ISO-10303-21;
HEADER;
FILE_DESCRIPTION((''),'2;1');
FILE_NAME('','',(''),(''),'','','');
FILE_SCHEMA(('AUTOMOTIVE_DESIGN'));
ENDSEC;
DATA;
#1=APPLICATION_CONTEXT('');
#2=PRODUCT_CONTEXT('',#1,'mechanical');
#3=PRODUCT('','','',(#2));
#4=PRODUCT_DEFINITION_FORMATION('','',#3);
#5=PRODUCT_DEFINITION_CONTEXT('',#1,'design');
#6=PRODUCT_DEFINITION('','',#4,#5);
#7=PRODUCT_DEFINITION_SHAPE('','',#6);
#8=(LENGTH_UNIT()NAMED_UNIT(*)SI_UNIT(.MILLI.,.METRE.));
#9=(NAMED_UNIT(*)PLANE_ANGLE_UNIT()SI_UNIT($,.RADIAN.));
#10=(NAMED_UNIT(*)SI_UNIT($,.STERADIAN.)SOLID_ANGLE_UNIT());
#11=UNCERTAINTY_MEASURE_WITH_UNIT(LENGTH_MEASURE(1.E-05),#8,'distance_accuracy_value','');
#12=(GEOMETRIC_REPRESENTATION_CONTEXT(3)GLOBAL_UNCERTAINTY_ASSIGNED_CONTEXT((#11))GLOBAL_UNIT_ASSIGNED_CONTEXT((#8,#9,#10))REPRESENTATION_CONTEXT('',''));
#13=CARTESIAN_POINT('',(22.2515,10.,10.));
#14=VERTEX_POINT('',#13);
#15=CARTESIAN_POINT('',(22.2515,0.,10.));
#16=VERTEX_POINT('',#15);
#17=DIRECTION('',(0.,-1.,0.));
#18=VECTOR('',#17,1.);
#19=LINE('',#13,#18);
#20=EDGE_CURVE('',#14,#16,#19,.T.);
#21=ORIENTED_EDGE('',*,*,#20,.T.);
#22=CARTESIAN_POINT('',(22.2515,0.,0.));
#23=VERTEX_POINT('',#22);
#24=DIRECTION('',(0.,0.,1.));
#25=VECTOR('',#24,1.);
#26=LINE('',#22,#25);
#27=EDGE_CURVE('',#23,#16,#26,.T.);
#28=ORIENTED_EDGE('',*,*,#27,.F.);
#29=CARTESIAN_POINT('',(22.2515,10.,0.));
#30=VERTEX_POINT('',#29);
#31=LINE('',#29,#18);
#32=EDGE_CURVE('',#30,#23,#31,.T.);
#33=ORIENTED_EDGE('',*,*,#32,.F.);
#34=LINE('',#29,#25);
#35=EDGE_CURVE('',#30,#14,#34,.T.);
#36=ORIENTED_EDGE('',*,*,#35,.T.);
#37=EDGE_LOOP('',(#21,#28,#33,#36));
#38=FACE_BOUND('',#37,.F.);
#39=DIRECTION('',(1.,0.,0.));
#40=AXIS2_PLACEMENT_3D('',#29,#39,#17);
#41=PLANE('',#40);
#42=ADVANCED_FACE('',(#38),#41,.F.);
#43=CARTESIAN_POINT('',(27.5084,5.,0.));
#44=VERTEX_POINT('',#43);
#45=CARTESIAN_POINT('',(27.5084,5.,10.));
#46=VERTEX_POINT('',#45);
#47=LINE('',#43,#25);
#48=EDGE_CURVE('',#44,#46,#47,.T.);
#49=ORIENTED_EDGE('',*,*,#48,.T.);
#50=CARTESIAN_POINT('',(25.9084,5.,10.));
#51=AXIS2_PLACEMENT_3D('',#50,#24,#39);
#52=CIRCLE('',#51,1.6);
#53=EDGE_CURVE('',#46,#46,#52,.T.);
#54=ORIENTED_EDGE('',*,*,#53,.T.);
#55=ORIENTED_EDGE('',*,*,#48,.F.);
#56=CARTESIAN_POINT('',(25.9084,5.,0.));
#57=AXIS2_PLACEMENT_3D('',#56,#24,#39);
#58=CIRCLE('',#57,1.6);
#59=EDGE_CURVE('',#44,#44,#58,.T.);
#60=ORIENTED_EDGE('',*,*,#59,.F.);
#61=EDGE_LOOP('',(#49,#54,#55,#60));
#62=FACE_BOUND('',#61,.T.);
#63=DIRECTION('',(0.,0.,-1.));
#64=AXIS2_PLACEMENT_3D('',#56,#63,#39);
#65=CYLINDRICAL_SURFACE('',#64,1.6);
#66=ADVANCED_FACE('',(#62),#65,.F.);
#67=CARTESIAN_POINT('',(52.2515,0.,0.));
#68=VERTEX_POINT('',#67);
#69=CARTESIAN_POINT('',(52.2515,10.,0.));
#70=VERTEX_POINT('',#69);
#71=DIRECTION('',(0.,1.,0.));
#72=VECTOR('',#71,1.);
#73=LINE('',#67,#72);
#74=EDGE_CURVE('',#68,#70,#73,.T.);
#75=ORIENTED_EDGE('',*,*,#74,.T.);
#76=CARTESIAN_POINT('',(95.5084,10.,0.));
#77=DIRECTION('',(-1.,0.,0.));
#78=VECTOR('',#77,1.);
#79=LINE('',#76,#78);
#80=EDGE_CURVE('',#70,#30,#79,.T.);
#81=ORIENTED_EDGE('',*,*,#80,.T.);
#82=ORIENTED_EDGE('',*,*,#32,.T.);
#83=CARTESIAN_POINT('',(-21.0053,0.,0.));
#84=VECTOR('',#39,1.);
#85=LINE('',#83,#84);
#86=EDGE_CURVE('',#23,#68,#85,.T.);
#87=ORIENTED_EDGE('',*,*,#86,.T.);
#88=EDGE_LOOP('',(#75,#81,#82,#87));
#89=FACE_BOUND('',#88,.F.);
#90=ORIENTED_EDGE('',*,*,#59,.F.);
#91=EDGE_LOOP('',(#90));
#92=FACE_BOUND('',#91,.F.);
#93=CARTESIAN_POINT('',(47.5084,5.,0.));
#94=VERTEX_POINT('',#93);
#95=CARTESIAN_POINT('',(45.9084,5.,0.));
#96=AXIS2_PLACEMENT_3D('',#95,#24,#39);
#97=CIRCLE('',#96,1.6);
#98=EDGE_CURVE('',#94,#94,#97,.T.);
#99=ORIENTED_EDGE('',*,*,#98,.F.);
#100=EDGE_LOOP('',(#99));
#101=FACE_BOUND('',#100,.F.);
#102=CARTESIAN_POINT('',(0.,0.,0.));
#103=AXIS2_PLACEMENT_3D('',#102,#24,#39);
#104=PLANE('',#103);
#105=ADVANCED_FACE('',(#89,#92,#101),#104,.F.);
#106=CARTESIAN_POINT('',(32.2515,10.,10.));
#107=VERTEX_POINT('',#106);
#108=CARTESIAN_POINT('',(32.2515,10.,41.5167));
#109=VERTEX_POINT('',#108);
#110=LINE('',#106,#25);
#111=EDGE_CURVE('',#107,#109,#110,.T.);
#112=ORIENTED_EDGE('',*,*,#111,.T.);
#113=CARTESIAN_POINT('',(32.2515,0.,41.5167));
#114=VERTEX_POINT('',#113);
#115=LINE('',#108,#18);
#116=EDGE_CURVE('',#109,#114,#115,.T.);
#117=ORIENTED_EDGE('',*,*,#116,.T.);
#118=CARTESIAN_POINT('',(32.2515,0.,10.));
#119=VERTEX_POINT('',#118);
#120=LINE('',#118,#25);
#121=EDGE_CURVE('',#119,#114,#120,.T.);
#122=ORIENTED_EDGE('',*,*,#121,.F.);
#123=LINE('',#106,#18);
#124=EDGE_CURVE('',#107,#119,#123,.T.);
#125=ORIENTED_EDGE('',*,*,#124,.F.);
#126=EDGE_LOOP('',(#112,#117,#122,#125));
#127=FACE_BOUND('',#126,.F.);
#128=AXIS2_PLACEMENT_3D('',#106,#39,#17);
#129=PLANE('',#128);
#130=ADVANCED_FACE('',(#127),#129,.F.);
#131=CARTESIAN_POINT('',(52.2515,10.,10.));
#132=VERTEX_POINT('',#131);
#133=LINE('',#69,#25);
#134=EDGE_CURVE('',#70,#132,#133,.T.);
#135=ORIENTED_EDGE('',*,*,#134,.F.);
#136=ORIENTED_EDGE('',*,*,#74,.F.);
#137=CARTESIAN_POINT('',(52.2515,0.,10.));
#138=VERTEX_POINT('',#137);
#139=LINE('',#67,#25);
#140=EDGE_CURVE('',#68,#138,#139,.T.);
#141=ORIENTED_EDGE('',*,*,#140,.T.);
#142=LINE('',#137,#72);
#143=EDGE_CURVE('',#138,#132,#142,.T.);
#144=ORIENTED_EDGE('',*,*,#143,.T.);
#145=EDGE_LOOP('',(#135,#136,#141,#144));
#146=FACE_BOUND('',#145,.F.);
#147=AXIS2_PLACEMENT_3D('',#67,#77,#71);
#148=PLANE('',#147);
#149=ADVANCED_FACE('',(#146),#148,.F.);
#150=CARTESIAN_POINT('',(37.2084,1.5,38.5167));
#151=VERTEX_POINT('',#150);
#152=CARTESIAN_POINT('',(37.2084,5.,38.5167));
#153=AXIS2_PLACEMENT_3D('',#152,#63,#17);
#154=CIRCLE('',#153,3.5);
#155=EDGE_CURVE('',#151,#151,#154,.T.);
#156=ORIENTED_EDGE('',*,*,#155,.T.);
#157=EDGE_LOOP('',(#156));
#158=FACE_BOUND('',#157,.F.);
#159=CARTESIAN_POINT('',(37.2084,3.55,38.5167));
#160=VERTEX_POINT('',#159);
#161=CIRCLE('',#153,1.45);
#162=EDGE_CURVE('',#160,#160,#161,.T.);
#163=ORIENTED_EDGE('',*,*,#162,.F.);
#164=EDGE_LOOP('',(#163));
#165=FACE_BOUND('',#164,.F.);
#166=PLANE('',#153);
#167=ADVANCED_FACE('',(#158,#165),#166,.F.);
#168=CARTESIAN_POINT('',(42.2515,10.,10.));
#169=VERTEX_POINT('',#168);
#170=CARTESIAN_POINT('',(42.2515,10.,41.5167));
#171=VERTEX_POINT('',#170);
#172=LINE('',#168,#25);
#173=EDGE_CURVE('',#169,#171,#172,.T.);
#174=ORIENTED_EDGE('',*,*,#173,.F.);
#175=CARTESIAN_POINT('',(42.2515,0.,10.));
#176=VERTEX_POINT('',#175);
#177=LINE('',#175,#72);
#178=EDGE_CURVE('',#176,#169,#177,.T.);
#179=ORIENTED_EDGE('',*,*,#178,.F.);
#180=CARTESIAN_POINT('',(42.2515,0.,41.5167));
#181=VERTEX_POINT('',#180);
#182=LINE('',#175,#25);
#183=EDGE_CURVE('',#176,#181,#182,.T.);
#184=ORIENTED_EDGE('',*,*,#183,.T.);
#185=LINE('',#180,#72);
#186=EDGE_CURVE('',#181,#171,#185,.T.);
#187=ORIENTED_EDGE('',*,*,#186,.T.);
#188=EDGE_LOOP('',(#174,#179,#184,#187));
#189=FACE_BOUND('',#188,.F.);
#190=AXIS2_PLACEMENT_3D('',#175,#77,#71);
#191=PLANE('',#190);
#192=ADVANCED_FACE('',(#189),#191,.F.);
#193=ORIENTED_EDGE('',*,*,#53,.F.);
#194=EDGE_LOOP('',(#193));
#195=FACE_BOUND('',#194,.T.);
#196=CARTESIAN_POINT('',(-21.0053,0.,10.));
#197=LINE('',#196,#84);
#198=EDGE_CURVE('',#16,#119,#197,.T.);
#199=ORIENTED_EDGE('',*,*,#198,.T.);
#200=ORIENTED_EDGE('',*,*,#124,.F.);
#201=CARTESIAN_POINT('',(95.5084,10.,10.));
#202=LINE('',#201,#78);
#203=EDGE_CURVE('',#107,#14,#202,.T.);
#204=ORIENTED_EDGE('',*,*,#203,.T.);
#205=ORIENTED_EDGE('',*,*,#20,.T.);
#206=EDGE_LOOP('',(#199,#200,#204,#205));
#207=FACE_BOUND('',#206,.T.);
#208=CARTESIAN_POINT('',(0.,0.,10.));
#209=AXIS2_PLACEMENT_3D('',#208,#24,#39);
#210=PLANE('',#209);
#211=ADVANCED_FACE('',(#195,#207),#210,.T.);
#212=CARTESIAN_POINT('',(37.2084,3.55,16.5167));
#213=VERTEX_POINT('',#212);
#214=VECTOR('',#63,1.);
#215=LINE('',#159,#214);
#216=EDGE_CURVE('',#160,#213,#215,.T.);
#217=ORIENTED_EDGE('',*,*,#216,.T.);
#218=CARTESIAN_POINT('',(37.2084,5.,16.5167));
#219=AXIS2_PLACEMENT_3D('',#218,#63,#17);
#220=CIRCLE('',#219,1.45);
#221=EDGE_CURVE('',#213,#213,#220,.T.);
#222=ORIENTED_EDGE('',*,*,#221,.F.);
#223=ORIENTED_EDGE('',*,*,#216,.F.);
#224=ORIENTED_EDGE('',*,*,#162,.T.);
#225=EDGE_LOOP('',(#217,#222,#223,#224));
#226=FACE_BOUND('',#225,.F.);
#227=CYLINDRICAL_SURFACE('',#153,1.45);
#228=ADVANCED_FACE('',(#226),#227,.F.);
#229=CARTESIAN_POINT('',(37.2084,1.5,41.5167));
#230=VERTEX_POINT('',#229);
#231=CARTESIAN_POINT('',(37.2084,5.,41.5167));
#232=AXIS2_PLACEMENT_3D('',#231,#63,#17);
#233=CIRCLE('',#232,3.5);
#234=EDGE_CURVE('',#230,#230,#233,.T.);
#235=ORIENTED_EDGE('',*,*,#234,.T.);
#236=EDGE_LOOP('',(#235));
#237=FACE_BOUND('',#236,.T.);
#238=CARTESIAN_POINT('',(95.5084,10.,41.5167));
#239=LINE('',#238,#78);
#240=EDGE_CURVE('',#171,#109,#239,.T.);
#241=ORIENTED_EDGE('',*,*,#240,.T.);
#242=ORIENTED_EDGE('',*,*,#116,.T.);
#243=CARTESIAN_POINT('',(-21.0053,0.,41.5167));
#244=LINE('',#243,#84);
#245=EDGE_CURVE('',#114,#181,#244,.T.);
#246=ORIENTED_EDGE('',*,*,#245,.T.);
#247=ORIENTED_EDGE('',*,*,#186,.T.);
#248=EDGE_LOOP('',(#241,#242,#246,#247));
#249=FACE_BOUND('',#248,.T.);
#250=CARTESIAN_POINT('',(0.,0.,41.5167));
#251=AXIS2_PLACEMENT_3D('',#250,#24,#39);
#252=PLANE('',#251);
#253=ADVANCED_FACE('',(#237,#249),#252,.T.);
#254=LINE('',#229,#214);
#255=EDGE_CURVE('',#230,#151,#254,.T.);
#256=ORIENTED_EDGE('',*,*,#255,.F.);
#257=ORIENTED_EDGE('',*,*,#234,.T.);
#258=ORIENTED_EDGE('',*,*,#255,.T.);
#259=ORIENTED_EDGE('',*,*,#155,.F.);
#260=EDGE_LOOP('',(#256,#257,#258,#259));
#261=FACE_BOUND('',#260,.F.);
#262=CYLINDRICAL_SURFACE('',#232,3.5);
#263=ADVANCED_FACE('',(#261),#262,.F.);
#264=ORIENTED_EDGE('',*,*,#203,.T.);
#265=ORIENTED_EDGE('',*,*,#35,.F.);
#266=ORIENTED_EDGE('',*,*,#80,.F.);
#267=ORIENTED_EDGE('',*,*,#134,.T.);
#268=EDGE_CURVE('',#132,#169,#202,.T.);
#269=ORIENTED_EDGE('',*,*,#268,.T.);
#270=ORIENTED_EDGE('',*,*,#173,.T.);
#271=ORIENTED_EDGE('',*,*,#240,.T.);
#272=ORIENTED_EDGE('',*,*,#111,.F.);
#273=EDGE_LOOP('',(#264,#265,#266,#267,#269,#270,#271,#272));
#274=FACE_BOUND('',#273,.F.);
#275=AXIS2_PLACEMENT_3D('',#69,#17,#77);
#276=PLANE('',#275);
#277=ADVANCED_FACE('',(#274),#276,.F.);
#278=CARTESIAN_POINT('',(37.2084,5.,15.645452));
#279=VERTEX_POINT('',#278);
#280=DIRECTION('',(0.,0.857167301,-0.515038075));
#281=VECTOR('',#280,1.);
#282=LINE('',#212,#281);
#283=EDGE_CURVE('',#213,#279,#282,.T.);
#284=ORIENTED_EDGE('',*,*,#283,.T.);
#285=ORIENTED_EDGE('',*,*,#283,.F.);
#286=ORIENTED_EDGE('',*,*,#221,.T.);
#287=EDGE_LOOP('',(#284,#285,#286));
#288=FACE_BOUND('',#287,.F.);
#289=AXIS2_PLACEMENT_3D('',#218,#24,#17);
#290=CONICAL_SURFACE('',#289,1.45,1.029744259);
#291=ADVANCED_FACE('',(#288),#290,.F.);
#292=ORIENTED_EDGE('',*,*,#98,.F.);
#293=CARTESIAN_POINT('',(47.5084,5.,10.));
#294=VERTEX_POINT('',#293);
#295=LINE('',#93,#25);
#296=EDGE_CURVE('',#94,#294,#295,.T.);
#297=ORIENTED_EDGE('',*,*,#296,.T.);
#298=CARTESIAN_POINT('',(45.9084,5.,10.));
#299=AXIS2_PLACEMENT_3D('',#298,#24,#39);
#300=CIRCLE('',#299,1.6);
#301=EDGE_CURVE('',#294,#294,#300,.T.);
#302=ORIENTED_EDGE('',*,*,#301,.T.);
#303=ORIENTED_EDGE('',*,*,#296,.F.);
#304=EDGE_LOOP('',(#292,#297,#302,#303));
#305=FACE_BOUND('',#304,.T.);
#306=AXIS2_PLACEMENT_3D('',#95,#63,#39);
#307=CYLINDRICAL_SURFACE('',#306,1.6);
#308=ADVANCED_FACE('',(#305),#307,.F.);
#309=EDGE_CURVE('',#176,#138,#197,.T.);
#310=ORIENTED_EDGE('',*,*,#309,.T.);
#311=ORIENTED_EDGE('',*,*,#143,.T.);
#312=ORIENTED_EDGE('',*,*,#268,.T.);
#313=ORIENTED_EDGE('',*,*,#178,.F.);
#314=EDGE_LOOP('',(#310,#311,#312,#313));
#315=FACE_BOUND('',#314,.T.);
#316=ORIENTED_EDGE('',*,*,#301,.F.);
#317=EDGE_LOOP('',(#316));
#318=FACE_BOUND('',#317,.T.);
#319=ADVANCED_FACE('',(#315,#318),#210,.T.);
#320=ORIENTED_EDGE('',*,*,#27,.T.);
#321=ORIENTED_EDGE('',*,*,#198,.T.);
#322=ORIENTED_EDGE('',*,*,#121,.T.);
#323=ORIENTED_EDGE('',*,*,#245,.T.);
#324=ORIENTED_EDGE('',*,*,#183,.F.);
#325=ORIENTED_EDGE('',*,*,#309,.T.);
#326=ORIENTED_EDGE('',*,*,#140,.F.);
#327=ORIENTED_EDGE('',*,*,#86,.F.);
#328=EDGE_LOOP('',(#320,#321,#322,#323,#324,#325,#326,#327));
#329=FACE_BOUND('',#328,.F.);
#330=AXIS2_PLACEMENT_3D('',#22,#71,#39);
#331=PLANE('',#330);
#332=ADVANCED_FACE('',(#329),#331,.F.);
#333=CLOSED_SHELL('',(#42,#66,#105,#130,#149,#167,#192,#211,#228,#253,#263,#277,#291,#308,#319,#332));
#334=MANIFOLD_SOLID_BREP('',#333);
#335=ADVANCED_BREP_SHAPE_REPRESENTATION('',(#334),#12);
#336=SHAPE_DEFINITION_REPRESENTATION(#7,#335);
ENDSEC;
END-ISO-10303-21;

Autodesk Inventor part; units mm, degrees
ref_plane "YZ Plane" through (0, 0, 0) normal (1, 0, 0) x (0, 1, 0)
ref_plane "XZ Plane" through (0, 0, 0) normal (0, 1, 0) x (-1, 0, 0)
ref_plane "Work Plane1" through (0, 0, 0) normal (0, 0, 1) x (1, 0, 0)
sketch "Sketch1" plane through (0, 0, 0) normal (0, 0, 1) x (1, 0, 0)
  circle A0 centre (45.9084, 5) radius 1.45 projected
  circle A1 centre (25.9084, 5) radius 1.45 projected
  line L0 (-21.0053, 0) -> (95.5084, 0) projected
  line L1 (95.5084, 10) -> (-17.0053, 10) projected
  line L2 (22.2515, 0) -> (52.2515, 0)
  line L3 (52.2515, 0) -> (52.2515, 10)
  line L4 (52.2515, 10) -> (22.2515, 10)
  line L5 (22.2515, 10) -> (22.2515, 0)
  line L6 (22.2515, 0) -> (52.2515, 10) construction
  line L7 (52.2515, 0) -> (22.2515, 10) construction
  circle A2 centre (45.9084, 5) radius 1.6
  circle A3 centre (25.9084, 5) radius 1.6
  point P0 (0, 0)
  point P1 (37.2515, 5)
  dimension "d0" = 30
  dimension "d1" = 3.2
  dimension "d2" = 3.2
extrude "Extrusion1" add sketch "Sketch1" along normal blind 10 contours L5 L1 L3 L0
sketch "Sketch2" plane through (0, 0, 10) normal (0, 0, 1) x (1, 0, 0)
  line L0 (95.5084, 10) -> (-17.0053, 10) projected
  circle A0 centre (-15.5458, 215.5) radius 2.15 projected
  circle A1 centre (-15.5458, 5) radius 2.15 projected
  circle A2 centre (88.9625, 5) radius 2.15 projected
  circle A3 centre (88.9625, 215.5) radius 2.15 projected
  circle A4 centre (-6.0916, 148.2) radius 1.45 projected
  circle A5 centre (77.9084, 141.8) radius 1.45 projected
  circle A6 centre (71.5084, 15.8) radius 1.45 projected
  circle A7 centre (-6.0916, 15.8) radius 1.45 projected
  circle A8 centre (-12.2916, 22) radius 1.45 projected
  circle A9 centre (77.7084, 22) radius 1.45 projected
  circle A10 centre (71.5084, 148.2) radius 1.45 projected
  circle A11 centre (-12.2916, 143.3875) radius 1.45 projected
  arc A12 (-3.9916, 144.2) -> (-7.9916, 140.2) centre (-3.9916, 140.2) ccw projected
  line L1 (-3.9916, 144.2) -> (69.4084, 144.2) projected
  arc A13 (73.4084, 140.2) -> (69.4084, 144.2) centre (69.4084, 140.2) ccw projected
  line L2 (73.4084, 140.2) -> (73.4084, 24.1) projected
  arc A14 (69.4084, 20.1) -> (73.4084, 24.1) centre (69.4084, 24.1) ccw projected
  line L3 (69.4084, 20.1) -> (-3.9916, 20.1) projected
  arc A15 (-7.9916, 24.1) -> (-3.9916, 20.1) centre (-3.9916, 24.1) ccw projected
  line L4 (-7.9916, 24.1) -> (-7.9916, 140.2) projected
  line L5 (-21.0053, 220.5) -> (-21.0053, 0) projected
  line L6 (-21.0053, 0) -> (95.5084, 0) projected
  line L7 (95.5084, 0) -> (95.5084, 220.5) projected
  line L8 (95.5084, 220.5) -> (-21.0053, 220.5) projected
  line L9 (52.2515, 0) -> (52.2515, 10) projected
  line L10 (22.2515, 10) -> (22.2515, 0) projected
  line L11 (-21.0053, 0) -> (95.5084, 0) projected
  line L12 (42.2515, 10) -> (32.2515, 10)
  line L13 (32.2515, 10) -> (32.2515, 0)
  line L14 (32.2515, 0) -> (42.2515, 0)
  line L15 (42.2515, 0) -> (42.2515, 10)
  line L16 (42.2515, 10) -> (32.2515, 0) construction
  line L17 (32.2515, 10) -> (42.2515, 0) construction
  point P0 (0, 0)
  point P1 (37.2515, 5)
  dimension "d5" = 10
  dimension "d6" = 10
ref_plane "Work Plane2" through (-21.0916, 0, 41.5167) normal (0, 0, -1) x (0, 1, 0)
extrude "Extrusion2" add sketch "Sketch2" along normal up to surface (31.5167 mm away) contours L15 L6 L13 L0
sketch "Sketch3" plane through (32.2515, 10, 41.5167) normal (0, 0, 1) x (1, 0, 0)
  line L0 (10, -10) -> (10, 0) projected
  line L1 (0, 0) -> (0, -10) projected
  line L2 (-49.2569, 0) -> (63.2569, 0) projected
  line L3 (63.2569, -10) -> (-53.3431, -10) projected
  circle A0 centre (-47.7973, -5) radius 3.5 projected
  circle A1 centre (4.9569, -5) radius 3.5
  point P0 (-32.2515, -10)
hole "Hole1" at (37.2084, 5, 41.5167) direction (0, 0, -1) diameter 2.9 depth 25 tip angle 118 counterbore diameter 7 counterbore depth 3
properties part number "00_3rdleg"
